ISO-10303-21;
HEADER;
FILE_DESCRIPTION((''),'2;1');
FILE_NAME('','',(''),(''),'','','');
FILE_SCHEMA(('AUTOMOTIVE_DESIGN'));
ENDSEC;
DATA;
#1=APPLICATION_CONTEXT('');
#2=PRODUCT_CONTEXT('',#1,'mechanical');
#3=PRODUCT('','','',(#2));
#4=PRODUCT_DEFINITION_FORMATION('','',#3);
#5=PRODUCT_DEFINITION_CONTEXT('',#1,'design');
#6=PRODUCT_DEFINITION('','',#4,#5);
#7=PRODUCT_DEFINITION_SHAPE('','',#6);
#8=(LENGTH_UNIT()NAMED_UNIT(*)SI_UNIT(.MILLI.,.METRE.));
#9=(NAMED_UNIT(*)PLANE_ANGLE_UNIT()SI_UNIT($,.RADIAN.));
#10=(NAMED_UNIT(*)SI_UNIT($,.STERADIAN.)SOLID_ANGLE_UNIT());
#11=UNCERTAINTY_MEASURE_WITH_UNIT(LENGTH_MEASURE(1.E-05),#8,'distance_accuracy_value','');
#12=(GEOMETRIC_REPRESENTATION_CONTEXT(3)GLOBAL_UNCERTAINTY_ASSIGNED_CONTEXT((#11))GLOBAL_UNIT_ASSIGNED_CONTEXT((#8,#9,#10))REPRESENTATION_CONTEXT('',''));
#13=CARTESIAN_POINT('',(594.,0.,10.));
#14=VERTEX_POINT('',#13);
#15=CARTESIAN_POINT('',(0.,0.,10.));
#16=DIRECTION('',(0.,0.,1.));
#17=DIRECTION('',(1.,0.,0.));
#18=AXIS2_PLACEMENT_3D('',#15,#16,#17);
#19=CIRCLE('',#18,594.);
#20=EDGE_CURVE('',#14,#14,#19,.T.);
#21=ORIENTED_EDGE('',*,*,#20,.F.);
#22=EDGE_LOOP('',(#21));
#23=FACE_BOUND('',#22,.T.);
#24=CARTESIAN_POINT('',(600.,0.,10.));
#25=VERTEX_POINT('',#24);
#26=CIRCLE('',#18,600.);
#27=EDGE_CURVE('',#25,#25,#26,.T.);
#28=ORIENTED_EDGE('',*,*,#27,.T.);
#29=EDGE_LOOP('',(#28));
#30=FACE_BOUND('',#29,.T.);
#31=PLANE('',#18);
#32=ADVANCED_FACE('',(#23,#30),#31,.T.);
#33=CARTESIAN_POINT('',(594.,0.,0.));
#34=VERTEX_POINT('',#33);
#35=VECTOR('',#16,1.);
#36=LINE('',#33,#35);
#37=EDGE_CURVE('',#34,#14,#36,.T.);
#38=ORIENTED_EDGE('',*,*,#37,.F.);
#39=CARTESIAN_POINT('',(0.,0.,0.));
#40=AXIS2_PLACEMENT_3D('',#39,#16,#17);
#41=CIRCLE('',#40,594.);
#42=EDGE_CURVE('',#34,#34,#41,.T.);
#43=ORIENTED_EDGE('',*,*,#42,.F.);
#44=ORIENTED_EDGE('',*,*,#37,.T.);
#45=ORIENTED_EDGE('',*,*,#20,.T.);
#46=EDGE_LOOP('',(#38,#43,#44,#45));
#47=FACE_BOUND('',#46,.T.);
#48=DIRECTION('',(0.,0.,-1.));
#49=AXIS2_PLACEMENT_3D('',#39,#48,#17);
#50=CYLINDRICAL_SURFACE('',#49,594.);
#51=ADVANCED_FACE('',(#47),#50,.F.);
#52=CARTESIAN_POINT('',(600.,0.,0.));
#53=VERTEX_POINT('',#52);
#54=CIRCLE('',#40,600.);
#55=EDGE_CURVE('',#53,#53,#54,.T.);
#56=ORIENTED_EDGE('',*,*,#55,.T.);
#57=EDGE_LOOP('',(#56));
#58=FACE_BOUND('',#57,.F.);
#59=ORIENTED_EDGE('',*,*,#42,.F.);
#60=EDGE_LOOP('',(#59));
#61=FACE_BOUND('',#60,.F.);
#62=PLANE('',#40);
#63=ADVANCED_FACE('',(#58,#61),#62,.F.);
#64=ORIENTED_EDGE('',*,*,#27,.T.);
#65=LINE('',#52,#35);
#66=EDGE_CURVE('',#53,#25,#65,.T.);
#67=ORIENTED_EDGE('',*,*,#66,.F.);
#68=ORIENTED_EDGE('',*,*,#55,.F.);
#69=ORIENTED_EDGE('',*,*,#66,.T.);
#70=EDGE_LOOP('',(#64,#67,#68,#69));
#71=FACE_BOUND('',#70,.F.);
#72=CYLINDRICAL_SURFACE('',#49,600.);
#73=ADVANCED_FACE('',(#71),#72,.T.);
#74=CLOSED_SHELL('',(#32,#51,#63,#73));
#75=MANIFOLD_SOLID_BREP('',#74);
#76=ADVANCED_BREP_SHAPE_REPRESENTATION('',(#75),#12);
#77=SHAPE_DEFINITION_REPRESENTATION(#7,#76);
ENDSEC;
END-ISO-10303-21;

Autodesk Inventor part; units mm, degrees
ref_plane "YZ Plane" through (0, 0, 0) normal (1, 0, 0) x (0, 1, 0)
ref_plane "XZ Plane" through (0, 0, 0) normal (0, 1, 0) x (-1, 0, 0)
ref_plane "XY Plane" through (0, 0, 0) normal (0, 0, 1) x (1, 0, 0)
sketch "Sketch1" plane through (0, 0, 0) normal (0, 0, 1) x (1, 0, 0)
  circle A0 centre (0, 0) radius 600
  circle A1 centre (0, 0) radius 594
  dimension "d0" = 1200
  dimension "d1" = 6
extrude "Extrusion1" add sketch "Sketch1" along normal blind 10
sketch "Sketch2" plane through (0, 0, 0) normal (0, 0, 1) x (1, 0, 0)
  circle A0 centre (0, 0) radius 517.8803 construction
  circle A1 centre (0, 0) radius 400.2499 construction
  circle A2 centre (0, 0) radius 256.3201 construction
  circle A3 centre (90, -90) radius 95
  circle A4 centre (-90, -90) radius 95
  circle A5 centre (-90, 90) radius 95
  circle A6 centre (90, 90) radius 95
  line L0 (90, 90) -> (-90, 90)
  line L1 (-90, 90) -> (-90, -90)
  line L2 (-90, -90) -> (90, -90)
  line L3 (90, -90) -> (90, 90)
  line L4 (90, 90) -> (-90, -90) construction
  line L5 (-90, 90) -> (90, -90) construction
  circle A7 centre (-240, -90) radius 95
  circle A8 centre (-390, -90) radius 95
  circle A9 centre (-510, -90) radius 95
  circle A10 centre (-90, -270) radius 95
  circle A11 centre (-90, -500) radius 95
  circle A12 centre (-290, -270) radius 95
  circle A13 centre (-450, -270) radius 95
  circle A14 centre (-340, -400) radius 95
  circle A15 centre (-240, 90) radius 95
  circle A16 centre (-390, 90) radius 95
  circle A17 centre (-510, 90) radius 95
  line L6 (-90, -90) -> (-510, -90)
  line L7 (0, 0) -> (0, -500)
  line L8 (0, -500) -> (-90, -500)
  line L9 (0, -400) -> (-340, -400)
  line L10 (0, -270) -> (-450, -270)
  circle A18 centre (-190, -400) radius 95
  dimension "d4" = 190
  dimension "d7" = 90
  dimension "d8" = 270
  dimension "d9" = 400
  dimension "d10" = 500
  dimension "d11" = 240
  dimension "d12" = 390
  dimension "d13" = 510
  dimension "d14" = 90
  dimension "d15" = 90
  dimension "d16" = 290
  dimension "d17" = 450
  dimension "d18" = 190
  dimension "d19" = 340
  dimension "d20" = 90
sketch "Sketch3" plane through (0, 0, 0) normal (0, 0, 1) x (1, 0, 0)
  circle A0 centre (-104.0992, -233.3488) radius 95
  circle A1 centre (-161.9131, -395.3117) radius 95
  circle A2 centre (-91.7953, -514.3257) radius 95
  circle A3 centre (-280.9346, -260.412) radius 95
  circle A4 centre (-299.5406, -418.8761) radius 95
  circle A5 centre (-250.7395, 99.5106) radius 95
  circle A6 centre (-395.8303, 87.9315) radius 95
  circle A7 centre (-535.2648, 91.0733) radius 95
  circle A8 centre (-460.3613, -287.8718) radius 95
  circle A9 centre (-531.2922, -111.9436) radius 95
  circle A10 centre (-392.3143, -102.4845) radius 95
  circle A11 centre (0, 0) radius 542.9574 construction
  circle A12 centre (-253.2201, -93.0176) radius 95
  circle A13 centre (-90.4998, -81.9426) radius 95
  circle A14 centre (85.6841, -88.1302) radius 95
  circle A15 centre (-90.4998, 88.0537) radius 95
  circle A16 centre (0, 0) radius 405.4794 construction
  circle A17 centre (0, 0) radius 269.7641 construction
  circle A18 centre (85.6841, 88.0537) radius 95
  line L0 (0, 0) -> (0, -542.9574)
  line L1 (0, -75.783) -> (-531.2922, -111.9436)
  line L2 (0, -217.4173) -> (-460.3613, -287.8718)
  circle A19 centre (0, 0) radius 600
  line L3 (0, -367.5891) -> (-299.5406, -418.8761)
  line L4 (-91.7953, -514.3257) -> (0, -514.3257)
  point P0 (0, 0)
  dimension "d21" = 190
  dimension "d22" = 1200
equation "\"d14\" = d7"
equation "\"d15\" = d7"
equation "\"BendRadius\" = Thickness"
equation "\"BendReliefWidth\" = Thickness"
equation "\"BendReliefDepth\" = 0.5 * Thickness"
equation "\"CornerReliefSize\" = 4 * Thickness"
equation "\"MinimumRemnant\" = 2 * Thickness"
equation "\"TransitionRadius\" = BendRadius"
equation "\"JacobiRadiusSize\" = BendRadius"
equation "\"GapSize\" = Thickness"
equation "\"way_tube_L1\" = 1"
equation "\"way_tube_L2\" = 1"
equation "\"way_tube_L3\" = 1"
equation "\"way_tube_L4\" = 1"
equation "\"way_tube_L5\" = 120"
equation "\"way_tube_L6\" = 90"
equation "\"way_tube_L7\" = 20"
equation "\"way_tube_L8\" = 90"
equation "\"way_tube_L9\" = 80"
equation "\"way_tube_L10\" = 80"
equation "\"Thickness\" = 3.048"
properties part number "PNS 751 DIM filter-distribution-system 1200"
